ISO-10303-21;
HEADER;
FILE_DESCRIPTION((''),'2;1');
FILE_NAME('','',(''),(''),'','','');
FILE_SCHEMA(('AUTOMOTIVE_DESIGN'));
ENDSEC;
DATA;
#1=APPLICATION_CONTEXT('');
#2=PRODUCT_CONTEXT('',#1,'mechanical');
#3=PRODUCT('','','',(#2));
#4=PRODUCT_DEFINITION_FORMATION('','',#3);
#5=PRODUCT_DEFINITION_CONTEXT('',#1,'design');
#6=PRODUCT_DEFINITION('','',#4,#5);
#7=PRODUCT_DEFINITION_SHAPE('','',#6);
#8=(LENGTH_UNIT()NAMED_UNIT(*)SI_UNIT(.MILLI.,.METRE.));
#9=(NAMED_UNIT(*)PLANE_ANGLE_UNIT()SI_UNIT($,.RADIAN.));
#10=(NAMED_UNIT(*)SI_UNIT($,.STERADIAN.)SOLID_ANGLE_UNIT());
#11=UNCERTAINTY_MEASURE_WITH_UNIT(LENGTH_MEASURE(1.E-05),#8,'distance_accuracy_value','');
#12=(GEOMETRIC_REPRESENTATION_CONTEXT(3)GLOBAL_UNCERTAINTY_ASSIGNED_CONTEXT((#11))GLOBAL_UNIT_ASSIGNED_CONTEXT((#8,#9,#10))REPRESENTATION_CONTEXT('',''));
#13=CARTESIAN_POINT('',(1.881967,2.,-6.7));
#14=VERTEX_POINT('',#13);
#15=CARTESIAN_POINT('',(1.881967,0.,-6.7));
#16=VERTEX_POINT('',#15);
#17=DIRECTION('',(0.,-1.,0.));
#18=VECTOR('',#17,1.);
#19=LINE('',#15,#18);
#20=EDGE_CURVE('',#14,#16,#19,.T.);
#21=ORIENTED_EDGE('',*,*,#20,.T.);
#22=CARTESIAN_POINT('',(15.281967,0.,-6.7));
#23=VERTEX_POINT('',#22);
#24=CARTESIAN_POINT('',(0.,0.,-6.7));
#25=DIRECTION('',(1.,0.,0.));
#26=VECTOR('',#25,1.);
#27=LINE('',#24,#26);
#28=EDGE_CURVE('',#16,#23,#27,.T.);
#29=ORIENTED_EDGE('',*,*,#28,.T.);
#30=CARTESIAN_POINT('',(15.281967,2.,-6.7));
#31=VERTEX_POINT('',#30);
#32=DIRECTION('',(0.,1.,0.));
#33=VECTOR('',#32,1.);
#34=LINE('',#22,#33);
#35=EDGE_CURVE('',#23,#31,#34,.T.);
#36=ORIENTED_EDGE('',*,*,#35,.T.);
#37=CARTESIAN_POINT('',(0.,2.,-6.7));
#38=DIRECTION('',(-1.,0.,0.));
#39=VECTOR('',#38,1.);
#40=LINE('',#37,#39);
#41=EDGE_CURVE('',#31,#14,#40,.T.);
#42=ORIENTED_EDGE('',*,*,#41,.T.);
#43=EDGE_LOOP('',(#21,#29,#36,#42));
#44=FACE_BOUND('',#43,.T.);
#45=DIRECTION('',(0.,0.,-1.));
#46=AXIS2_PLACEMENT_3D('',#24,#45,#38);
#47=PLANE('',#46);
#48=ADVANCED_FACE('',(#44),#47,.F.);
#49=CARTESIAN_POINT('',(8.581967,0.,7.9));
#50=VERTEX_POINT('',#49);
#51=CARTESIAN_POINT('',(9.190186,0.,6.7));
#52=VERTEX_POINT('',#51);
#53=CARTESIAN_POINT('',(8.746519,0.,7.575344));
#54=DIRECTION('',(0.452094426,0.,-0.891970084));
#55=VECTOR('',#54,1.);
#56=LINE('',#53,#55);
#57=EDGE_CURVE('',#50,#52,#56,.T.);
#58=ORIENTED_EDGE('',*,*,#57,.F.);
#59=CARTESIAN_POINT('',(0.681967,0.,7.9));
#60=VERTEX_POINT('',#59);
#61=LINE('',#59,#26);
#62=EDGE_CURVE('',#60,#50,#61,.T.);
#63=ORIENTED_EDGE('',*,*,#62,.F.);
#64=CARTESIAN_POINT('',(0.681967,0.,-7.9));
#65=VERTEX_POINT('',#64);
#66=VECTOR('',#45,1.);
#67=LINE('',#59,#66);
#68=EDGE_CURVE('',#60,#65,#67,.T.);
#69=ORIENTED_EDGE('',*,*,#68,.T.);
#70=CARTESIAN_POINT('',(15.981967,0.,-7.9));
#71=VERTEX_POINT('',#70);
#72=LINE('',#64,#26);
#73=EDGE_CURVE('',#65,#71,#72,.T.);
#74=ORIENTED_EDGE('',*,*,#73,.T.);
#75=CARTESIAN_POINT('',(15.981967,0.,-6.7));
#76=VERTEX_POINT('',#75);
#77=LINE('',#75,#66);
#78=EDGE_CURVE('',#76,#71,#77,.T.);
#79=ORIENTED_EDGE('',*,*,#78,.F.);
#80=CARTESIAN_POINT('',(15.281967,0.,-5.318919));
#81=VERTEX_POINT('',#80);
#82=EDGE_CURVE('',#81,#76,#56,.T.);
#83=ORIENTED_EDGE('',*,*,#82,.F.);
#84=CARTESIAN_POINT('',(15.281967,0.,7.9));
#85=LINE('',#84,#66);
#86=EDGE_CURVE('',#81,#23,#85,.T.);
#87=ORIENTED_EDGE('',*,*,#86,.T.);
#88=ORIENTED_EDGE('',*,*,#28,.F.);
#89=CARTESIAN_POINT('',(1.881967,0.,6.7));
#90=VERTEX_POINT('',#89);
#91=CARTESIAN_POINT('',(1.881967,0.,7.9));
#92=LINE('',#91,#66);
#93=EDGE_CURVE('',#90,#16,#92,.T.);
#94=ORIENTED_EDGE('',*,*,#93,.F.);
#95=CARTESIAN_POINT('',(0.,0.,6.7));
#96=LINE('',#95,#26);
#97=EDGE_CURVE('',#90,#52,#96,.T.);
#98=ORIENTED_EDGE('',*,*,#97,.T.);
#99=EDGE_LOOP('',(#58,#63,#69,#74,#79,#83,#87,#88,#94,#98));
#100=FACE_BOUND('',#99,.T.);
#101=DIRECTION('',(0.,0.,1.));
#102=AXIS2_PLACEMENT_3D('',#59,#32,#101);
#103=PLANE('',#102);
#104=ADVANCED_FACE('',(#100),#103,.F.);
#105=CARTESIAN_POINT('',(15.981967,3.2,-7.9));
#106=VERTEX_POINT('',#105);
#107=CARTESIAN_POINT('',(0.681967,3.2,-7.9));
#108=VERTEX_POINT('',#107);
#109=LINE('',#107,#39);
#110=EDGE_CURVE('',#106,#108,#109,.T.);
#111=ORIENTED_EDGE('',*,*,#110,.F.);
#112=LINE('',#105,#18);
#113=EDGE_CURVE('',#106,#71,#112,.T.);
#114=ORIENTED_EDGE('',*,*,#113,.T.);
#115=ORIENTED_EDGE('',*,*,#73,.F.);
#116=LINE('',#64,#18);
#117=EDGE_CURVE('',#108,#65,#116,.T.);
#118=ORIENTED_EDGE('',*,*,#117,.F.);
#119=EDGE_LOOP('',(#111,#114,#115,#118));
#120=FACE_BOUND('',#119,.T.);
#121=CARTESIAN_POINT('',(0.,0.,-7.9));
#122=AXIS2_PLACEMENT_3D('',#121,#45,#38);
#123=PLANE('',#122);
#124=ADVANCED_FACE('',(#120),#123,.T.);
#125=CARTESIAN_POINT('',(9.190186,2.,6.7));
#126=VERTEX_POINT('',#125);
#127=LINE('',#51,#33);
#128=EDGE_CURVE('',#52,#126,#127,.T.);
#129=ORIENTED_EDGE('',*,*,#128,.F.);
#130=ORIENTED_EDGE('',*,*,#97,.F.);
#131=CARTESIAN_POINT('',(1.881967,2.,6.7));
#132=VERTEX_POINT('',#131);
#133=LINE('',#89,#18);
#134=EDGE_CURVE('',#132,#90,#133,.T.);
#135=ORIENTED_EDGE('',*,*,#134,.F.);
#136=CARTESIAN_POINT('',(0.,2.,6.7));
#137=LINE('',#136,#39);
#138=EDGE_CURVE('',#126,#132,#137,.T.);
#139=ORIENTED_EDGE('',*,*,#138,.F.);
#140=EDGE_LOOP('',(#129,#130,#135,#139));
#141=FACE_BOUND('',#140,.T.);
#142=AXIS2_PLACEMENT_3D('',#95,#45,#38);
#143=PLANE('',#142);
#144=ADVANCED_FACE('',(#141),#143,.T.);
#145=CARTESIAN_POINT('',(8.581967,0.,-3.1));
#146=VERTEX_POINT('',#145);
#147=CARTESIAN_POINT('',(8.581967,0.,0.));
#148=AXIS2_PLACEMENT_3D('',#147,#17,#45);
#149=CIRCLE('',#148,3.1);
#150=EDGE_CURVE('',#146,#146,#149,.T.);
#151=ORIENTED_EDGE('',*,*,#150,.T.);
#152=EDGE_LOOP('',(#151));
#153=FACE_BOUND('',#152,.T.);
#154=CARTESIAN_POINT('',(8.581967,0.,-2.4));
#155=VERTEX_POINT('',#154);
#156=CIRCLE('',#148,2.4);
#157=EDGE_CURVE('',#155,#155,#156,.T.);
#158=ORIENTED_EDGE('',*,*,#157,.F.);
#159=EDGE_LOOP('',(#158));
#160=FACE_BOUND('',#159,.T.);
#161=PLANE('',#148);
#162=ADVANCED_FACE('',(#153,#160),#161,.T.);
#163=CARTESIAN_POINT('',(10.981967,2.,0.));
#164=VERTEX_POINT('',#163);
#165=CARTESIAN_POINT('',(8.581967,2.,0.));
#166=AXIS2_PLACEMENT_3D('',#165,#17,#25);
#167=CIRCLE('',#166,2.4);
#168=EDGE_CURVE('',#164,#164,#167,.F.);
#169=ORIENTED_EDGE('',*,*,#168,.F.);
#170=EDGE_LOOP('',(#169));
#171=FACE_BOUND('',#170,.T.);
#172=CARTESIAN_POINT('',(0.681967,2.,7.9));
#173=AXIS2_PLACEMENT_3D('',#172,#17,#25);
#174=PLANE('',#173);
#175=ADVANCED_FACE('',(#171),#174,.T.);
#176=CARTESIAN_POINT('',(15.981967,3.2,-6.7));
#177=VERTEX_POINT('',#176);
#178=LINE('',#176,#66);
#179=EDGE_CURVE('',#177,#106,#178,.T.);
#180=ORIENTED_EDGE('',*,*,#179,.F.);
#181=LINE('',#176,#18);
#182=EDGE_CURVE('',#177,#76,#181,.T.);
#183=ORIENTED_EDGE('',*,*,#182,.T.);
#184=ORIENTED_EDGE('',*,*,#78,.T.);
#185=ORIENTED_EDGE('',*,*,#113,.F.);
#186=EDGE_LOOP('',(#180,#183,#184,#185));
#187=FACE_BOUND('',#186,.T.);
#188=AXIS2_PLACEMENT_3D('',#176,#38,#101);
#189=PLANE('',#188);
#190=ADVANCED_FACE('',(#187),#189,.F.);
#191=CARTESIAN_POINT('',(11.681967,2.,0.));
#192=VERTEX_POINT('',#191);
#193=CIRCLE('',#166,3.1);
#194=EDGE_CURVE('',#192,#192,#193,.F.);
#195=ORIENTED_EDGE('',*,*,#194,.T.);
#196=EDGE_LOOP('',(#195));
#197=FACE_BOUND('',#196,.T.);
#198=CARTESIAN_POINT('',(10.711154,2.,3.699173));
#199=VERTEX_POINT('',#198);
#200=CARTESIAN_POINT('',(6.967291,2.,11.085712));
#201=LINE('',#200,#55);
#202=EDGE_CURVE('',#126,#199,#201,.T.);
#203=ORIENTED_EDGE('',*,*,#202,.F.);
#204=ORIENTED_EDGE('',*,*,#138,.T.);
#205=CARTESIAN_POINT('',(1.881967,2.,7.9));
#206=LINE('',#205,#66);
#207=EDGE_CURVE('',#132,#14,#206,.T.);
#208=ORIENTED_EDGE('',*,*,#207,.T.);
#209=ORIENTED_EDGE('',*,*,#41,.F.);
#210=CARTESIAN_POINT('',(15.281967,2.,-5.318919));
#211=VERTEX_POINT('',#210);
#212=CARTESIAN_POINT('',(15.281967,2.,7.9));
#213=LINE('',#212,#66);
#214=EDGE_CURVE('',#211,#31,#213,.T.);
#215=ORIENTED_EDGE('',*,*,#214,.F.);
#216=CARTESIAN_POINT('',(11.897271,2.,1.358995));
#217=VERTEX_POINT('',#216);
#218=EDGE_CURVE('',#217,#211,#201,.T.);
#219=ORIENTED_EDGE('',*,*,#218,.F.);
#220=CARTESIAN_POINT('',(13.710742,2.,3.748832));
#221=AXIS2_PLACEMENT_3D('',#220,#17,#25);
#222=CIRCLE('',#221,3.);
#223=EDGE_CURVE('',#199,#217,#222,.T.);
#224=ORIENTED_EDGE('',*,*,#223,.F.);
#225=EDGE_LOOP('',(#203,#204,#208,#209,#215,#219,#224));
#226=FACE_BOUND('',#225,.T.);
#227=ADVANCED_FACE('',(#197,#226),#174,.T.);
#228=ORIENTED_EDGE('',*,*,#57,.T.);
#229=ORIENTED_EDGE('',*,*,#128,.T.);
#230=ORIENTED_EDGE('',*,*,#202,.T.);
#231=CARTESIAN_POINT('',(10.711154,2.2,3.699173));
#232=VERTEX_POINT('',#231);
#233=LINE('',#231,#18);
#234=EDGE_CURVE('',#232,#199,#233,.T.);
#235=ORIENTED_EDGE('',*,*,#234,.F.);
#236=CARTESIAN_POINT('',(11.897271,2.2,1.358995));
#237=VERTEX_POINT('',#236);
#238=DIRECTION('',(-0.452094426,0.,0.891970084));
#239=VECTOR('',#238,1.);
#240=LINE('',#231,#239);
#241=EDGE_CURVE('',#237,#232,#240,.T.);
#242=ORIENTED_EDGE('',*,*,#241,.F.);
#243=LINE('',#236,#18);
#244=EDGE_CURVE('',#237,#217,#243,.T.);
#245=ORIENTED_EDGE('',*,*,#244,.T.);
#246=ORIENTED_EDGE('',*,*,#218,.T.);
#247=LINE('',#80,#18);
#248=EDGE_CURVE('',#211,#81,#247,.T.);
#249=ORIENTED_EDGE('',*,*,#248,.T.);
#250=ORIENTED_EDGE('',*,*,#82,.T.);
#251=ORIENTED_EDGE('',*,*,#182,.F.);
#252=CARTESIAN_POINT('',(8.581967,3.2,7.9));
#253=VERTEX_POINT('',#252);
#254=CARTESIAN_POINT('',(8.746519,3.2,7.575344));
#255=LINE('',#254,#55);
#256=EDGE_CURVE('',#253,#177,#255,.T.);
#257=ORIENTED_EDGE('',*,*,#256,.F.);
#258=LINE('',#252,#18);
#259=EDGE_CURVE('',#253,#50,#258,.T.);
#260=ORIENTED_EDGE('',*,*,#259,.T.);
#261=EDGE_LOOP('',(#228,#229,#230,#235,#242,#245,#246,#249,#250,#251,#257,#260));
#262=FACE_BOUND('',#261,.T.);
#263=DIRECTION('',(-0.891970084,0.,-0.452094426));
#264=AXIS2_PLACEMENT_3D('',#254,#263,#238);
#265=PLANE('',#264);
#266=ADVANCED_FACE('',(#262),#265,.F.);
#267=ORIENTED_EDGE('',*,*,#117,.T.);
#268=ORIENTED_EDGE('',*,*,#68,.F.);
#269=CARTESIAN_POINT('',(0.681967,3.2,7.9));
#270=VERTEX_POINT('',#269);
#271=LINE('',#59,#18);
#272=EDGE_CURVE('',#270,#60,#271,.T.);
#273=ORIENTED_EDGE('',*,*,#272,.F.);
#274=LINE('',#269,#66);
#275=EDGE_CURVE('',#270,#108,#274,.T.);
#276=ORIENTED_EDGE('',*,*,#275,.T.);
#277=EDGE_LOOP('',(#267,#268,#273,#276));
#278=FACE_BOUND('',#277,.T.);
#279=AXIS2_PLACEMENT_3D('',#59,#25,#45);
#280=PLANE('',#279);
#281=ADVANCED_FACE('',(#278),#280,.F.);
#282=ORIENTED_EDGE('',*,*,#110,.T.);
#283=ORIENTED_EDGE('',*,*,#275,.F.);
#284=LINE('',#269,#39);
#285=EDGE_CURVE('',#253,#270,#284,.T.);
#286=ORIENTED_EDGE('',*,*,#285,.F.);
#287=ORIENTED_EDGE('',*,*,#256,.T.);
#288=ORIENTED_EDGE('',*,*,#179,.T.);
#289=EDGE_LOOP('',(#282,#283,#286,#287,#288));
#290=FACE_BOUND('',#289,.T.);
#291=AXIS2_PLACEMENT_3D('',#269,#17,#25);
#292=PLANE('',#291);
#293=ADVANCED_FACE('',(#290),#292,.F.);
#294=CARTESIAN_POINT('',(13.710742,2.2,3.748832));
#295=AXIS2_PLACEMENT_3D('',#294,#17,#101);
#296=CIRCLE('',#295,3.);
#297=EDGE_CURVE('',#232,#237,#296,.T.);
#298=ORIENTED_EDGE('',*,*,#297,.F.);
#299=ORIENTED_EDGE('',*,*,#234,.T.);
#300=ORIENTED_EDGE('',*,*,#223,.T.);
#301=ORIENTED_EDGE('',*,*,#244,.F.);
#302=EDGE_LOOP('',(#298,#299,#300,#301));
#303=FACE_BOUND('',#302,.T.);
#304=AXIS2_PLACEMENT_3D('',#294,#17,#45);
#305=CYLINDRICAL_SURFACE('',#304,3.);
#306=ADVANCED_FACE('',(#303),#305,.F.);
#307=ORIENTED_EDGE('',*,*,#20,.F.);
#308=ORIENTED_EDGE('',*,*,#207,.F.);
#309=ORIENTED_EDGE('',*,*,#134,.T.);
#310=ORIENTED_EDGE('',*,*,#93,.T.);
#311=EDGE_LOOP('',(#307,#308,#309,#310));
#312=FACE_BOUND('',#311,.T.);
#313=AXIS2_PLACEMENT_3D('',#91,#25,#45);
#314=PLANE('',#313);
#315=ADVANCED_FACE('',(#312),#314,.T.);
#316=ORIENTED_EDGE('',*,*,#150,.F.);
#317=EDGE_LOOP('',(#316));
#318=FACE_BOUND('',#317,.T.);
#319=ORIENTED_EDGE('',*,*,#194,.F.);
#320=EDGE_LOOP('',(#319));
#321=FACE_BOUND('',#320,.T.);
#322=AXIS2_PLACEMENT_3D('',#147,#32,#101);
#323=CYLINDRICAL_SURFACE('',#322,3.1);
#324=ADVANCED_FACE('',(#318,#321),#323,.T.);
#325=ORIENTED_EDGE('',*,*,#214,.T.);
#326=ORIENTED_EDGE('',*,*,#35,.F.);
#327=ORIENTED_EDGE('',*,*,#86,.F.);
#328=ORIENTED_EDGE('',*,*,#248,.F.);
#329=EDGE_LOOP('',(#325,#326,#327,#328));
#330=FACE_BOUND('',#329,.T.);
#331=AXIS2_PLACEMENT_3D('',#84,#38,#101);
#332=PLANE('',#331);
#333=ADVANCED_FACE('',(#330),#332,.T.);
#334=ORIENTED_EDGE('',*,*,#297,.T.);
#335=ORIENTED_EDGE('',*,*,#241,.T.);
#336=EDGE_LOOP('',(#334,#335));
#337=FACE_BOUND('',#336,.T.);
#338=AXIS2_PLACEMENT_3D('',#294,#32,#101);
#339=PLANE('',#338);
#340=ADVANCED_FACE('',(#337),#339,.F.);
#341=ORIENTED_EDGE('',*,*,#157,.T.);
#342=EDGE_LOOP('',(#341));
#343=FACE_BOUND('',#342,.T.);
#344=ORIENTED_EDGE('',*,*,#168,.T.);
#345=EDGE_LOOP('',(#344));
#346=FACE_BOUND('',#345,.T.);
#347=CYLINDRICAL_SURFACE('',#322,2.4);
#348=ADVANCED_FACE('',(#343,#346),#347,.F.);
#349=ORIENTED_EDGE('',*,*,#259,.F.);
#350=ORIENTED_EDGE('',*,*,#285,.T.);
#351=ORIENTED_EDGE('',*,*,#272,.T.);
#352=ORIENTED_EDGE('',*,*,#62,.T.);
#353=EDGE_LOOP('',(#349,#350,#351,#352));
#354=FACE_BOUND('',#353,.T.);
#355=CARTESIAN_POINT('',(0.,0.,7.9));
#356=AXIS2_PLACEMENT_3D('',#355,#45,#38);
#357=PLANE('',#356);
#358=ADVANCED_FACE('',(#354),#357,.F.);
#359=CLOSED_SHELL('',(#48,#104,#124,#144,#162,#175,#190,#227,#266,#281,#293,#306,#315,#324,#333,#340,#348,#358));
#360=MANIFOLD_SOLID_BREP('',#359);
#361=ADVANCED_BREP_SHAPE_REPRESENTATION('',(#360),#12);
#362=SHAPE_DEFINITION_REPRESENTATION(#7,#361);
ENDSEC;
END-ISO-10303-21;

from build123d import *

# Parameters (mm, degrees)
MAINBASESKETCH_W          = 15.8
MAINBASESKETCH_H          = 3.2
MAINBASEEXTRUDE_DEPTH     = 7.9
MAINBASESHELL_T           = -1.2
UNDERSIDECIRCLEEXT_START  = -0.2
UNDERSIDECIRCLESKETCH_R   = 3.1
UNDERSIDECIRCLESKETCH_R_2 = 2.4
UNDERSIDECIRCLEEXT_DEPTH  = 2.2
ANGLEDCUT_DEPTH           = 19.555463972
CUT_EXTRUDE16_DEPTH       = 2.2


with BuildPart() as part:
    # MainBaseSketch → MainBaseExtrude (new, symmetric)
    with BuildSketch(Plane.XY):
        with Locations((8.581967213, 1.6)):
            Rectangle(MAINBASESKETCH_W, MAINBASESKETCH_H)
    extrude(amount=MAINBASEEXTRUDE_DEPTH, both=True)

    # MainBaseShell
    mainbaseshell_openings = [part.faces().sort_by_distance(p)[0] for p in [
        (8.581967213, 0, 0),
    ]]
    offset(amount=MAINBASESHELL_T, openings=mainbaseshell_openings, kind=Kind.INTERSECTION)

    # UnderSideCircleSketch → UnderSideCircleExt (add)
    with BuildSketch(Plane.XZ.offset(-2).offset(UNDERSIDECIRCLEEXT_START)):
        with Locations((8.581967213, 0)):
            Circle(UNDERSIDECIRCLESKETCH_R)
        with Locations((8.581967213, 0)):
            Circle(UNDERSIDECIRCLESKETCH_R_2, mode=Mode.SUBTRACT)
    extrude(amount=UNDERSIDECIRCLEEXT_DEPTH)

    # AngledCutSketch → AngledCut (cut, through all)
    with BuildSketch(Plane.XZ):
        Polygon((8.7465188, 7.575344166), (15.981967213, -6.7), (15.981967213, -7.9), (16.481967213, -7.9), (16.481967213, 7.9), (8.581967213, 7.9), align=None)
    extrude(amount=-ANGLEDCUT_DEPTH, mode=Mode.SUBTRACT)

    # AngledNotchSketch → Cut-Extrude16 (cut)
    with BuildSketch(Plane(origin=(0, 0, 0), x_dir=(-1, 0, 0), z_dir=(0, -1, 0))):
        with BuildLine():
            Line((-10.711153505, -3.699172992), (-11.897271127, -1.358994981))
            ThreePointArc((-11.897271127, -1.358994981), (-11.034832221, -2.39254887), (-10.711153505, -3.699172992))
        make_face()
    extrude(amount=-CUT_EXTRUDE16_DEPTH, mode=Mode.SUBTRACT)


solid = part.part
